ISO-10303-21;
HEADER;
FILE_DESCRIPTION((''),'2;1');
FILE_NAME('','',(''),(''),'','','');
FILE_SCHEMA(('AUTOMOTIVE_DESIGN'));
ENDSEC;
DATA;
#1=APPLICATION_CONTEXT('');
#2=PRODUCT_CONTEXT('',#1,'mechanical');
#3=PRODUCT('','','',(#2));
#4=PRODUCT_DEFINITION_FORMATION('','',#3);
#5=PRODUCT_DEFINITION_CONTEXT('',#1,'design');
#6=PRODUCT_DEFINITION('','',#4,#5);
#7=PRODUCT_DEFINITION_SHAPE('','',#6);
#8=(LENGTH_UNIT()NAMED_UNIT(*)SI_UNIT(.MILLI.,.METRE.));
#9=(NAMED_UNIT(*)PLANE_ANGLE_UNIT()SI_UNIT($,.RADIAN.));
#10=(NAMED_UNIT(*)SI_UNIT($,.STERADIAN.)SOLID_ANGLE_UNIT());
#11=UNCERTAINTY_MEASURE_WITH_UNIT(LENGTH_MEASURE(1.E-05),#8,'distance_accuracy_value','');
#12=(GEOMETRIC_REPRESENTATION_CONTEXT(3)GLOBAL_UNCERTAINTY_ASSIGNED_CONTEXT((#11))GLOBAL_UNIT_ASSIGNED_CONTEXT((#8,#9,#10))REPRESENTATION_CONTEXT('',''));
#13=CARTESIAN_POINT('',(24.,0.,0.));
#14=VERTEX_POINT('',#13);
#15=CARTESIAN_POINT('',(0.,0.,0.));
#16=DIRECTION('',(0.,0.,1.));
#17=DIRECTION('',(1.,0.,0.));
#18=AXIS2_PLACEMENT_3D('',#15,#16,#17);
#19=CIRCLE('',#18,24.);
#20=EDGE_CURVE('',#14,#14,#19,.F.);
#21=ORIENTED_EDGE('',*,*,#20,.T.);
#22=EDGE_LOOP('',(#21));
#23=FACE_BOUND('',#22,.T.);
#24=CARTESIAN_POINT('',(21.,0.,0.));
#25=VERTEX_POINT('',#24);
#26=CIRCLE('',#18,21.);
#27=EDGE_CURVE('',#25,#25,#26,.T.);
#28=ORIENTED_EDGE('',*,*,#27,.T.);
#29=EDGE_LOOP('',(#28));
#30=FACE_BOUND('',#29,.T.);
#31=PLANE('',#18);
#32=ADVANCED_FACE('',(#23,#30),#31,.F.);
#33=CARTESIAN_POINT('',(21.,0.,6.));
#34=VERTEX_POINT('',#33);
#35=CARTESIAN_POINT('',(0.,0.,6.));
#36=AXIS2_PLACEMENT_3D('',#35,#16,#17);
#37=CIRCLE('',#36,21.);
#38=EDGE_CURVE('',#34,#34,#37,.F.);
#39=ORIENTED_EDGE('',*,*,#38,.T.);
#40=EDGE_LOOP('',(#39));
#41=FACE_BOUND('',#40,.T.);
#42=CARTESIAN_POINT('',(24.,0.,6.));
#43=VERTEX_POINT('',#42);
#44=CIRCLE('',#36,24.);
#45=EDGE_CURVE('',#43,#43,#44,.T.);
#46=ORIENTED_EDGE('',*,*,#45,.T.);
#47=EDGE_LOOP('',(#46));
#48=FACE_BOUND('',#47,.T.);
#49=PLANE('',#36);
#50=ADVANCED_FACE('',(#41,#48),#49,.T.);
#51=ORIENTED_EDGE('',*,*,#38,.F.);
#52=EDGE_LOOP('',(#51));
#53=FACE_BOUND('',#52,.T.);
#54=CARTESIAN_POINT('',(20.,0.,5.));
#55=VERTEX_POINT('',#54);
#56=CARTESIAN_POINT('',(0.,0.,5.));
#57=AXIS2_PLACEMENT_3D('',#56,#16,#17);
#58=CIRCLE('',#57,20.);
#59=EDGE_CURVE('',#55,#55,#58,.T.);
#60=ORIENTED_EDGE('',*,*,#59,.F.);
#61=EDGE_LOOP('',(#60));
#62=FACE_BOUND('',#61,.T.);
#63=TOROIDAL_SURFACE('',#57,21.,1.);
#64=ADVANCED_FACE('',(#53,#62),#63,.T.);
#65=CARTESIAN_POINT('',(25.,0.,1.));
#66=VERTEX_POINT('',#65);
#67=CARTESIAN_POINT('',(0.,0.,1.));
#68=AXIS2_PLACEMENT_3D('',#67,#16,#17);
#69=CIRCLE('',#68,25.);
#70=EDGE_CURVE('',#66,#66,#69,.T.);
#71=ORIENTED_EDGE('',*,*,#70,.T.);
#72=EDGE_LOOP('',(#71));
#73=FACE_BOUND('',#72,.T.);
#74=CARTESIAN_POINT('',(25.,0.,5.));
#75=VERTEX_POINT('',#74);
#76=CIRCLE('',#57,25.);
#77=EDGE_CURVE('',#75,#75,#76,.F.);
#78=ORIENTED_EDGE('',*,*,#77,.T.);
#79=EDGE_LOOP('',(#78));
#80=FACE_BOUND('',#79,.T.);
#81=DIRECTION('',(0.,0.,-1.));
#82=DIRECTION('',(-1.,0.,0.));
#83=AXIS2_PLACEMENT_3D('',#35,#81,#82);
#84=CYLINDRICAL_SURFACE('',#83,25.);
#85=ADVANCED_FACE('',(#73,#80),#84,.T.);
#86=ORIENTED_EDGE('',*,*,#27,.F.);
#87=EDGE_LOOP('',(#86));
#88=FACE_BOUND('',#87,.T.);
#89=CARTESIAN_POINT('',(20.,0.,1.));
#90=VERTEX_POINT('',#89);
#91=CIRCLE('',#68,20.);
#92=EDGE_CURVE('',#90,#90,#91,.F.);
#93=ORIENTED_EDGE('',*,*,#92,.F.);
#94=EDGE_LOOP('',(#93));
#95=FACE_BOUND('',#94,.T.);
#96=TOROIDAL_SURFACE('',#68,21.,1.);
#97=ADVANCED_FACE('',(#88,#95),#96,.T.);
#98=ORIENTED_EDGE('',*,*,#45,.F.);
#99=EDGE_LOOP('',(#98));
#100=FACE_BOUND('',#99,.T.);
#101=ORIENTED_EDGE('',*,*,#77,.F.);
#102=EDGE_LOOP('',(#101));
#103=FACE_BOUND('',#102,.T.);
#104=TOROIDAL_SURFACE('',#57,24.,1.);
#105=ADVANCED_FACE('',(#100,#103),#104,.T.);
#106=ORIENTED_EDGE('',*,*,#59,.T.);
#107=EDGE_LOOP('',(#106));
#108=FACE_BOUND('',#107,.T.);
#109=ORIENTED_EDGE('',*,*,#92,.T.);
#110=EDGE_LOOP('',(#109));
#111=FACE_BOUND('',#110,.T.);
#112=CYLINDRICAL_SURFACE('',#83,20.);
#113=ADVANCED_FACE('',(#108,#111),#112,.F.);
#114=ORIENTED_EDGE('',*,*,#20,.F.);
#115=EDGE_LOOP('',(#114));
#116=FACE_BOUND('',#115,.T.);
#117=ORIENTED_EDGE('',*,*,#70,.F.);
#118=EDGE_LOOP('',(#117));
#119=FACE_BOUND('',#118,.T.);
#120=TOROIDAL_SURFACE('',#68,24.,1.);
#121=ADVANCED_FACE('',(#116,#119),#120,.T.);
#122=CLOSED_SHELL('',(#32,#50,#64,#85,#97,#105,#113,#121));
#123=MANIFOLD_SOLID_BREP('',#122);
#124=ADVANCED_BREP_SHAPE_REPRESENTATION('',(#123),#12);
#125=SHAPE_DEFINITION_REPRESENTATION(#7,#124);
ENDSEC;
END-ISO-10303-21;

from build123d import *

# Parameters (mm, degrees)
SKETCH_1_R      = 25
SKETCH_1_R_2    = 20
EXTRUDE_1_DEPTH = 6
FILLET_1_R      = 1


with BuildPart() as part:
    # ｽｹｯﾁ1 → ﾎﾞｽ - 押し出し1 (new body)
    with BuildSketch(Plane.XY):
        Circle(SKETCH_1_R)
        Circle(SKETCH_1_R_2, mode=Mode.SUBTRACT)
    extrude(amount=EXTRUDE_1_DEPTH)

    # ﾌｨﾚｯﾄ1
    fillet_1_edges = [part.edges().sort_by_distance(p)[0] for p in [
        (-25, 0, 0),
        (-25, 0, 6),
        (-20, 0, 0),
        (-20, 0, 6),
    ]]
    fillet(fillet_1_edges, radius=FILLET_1_R)


solid = part.part
